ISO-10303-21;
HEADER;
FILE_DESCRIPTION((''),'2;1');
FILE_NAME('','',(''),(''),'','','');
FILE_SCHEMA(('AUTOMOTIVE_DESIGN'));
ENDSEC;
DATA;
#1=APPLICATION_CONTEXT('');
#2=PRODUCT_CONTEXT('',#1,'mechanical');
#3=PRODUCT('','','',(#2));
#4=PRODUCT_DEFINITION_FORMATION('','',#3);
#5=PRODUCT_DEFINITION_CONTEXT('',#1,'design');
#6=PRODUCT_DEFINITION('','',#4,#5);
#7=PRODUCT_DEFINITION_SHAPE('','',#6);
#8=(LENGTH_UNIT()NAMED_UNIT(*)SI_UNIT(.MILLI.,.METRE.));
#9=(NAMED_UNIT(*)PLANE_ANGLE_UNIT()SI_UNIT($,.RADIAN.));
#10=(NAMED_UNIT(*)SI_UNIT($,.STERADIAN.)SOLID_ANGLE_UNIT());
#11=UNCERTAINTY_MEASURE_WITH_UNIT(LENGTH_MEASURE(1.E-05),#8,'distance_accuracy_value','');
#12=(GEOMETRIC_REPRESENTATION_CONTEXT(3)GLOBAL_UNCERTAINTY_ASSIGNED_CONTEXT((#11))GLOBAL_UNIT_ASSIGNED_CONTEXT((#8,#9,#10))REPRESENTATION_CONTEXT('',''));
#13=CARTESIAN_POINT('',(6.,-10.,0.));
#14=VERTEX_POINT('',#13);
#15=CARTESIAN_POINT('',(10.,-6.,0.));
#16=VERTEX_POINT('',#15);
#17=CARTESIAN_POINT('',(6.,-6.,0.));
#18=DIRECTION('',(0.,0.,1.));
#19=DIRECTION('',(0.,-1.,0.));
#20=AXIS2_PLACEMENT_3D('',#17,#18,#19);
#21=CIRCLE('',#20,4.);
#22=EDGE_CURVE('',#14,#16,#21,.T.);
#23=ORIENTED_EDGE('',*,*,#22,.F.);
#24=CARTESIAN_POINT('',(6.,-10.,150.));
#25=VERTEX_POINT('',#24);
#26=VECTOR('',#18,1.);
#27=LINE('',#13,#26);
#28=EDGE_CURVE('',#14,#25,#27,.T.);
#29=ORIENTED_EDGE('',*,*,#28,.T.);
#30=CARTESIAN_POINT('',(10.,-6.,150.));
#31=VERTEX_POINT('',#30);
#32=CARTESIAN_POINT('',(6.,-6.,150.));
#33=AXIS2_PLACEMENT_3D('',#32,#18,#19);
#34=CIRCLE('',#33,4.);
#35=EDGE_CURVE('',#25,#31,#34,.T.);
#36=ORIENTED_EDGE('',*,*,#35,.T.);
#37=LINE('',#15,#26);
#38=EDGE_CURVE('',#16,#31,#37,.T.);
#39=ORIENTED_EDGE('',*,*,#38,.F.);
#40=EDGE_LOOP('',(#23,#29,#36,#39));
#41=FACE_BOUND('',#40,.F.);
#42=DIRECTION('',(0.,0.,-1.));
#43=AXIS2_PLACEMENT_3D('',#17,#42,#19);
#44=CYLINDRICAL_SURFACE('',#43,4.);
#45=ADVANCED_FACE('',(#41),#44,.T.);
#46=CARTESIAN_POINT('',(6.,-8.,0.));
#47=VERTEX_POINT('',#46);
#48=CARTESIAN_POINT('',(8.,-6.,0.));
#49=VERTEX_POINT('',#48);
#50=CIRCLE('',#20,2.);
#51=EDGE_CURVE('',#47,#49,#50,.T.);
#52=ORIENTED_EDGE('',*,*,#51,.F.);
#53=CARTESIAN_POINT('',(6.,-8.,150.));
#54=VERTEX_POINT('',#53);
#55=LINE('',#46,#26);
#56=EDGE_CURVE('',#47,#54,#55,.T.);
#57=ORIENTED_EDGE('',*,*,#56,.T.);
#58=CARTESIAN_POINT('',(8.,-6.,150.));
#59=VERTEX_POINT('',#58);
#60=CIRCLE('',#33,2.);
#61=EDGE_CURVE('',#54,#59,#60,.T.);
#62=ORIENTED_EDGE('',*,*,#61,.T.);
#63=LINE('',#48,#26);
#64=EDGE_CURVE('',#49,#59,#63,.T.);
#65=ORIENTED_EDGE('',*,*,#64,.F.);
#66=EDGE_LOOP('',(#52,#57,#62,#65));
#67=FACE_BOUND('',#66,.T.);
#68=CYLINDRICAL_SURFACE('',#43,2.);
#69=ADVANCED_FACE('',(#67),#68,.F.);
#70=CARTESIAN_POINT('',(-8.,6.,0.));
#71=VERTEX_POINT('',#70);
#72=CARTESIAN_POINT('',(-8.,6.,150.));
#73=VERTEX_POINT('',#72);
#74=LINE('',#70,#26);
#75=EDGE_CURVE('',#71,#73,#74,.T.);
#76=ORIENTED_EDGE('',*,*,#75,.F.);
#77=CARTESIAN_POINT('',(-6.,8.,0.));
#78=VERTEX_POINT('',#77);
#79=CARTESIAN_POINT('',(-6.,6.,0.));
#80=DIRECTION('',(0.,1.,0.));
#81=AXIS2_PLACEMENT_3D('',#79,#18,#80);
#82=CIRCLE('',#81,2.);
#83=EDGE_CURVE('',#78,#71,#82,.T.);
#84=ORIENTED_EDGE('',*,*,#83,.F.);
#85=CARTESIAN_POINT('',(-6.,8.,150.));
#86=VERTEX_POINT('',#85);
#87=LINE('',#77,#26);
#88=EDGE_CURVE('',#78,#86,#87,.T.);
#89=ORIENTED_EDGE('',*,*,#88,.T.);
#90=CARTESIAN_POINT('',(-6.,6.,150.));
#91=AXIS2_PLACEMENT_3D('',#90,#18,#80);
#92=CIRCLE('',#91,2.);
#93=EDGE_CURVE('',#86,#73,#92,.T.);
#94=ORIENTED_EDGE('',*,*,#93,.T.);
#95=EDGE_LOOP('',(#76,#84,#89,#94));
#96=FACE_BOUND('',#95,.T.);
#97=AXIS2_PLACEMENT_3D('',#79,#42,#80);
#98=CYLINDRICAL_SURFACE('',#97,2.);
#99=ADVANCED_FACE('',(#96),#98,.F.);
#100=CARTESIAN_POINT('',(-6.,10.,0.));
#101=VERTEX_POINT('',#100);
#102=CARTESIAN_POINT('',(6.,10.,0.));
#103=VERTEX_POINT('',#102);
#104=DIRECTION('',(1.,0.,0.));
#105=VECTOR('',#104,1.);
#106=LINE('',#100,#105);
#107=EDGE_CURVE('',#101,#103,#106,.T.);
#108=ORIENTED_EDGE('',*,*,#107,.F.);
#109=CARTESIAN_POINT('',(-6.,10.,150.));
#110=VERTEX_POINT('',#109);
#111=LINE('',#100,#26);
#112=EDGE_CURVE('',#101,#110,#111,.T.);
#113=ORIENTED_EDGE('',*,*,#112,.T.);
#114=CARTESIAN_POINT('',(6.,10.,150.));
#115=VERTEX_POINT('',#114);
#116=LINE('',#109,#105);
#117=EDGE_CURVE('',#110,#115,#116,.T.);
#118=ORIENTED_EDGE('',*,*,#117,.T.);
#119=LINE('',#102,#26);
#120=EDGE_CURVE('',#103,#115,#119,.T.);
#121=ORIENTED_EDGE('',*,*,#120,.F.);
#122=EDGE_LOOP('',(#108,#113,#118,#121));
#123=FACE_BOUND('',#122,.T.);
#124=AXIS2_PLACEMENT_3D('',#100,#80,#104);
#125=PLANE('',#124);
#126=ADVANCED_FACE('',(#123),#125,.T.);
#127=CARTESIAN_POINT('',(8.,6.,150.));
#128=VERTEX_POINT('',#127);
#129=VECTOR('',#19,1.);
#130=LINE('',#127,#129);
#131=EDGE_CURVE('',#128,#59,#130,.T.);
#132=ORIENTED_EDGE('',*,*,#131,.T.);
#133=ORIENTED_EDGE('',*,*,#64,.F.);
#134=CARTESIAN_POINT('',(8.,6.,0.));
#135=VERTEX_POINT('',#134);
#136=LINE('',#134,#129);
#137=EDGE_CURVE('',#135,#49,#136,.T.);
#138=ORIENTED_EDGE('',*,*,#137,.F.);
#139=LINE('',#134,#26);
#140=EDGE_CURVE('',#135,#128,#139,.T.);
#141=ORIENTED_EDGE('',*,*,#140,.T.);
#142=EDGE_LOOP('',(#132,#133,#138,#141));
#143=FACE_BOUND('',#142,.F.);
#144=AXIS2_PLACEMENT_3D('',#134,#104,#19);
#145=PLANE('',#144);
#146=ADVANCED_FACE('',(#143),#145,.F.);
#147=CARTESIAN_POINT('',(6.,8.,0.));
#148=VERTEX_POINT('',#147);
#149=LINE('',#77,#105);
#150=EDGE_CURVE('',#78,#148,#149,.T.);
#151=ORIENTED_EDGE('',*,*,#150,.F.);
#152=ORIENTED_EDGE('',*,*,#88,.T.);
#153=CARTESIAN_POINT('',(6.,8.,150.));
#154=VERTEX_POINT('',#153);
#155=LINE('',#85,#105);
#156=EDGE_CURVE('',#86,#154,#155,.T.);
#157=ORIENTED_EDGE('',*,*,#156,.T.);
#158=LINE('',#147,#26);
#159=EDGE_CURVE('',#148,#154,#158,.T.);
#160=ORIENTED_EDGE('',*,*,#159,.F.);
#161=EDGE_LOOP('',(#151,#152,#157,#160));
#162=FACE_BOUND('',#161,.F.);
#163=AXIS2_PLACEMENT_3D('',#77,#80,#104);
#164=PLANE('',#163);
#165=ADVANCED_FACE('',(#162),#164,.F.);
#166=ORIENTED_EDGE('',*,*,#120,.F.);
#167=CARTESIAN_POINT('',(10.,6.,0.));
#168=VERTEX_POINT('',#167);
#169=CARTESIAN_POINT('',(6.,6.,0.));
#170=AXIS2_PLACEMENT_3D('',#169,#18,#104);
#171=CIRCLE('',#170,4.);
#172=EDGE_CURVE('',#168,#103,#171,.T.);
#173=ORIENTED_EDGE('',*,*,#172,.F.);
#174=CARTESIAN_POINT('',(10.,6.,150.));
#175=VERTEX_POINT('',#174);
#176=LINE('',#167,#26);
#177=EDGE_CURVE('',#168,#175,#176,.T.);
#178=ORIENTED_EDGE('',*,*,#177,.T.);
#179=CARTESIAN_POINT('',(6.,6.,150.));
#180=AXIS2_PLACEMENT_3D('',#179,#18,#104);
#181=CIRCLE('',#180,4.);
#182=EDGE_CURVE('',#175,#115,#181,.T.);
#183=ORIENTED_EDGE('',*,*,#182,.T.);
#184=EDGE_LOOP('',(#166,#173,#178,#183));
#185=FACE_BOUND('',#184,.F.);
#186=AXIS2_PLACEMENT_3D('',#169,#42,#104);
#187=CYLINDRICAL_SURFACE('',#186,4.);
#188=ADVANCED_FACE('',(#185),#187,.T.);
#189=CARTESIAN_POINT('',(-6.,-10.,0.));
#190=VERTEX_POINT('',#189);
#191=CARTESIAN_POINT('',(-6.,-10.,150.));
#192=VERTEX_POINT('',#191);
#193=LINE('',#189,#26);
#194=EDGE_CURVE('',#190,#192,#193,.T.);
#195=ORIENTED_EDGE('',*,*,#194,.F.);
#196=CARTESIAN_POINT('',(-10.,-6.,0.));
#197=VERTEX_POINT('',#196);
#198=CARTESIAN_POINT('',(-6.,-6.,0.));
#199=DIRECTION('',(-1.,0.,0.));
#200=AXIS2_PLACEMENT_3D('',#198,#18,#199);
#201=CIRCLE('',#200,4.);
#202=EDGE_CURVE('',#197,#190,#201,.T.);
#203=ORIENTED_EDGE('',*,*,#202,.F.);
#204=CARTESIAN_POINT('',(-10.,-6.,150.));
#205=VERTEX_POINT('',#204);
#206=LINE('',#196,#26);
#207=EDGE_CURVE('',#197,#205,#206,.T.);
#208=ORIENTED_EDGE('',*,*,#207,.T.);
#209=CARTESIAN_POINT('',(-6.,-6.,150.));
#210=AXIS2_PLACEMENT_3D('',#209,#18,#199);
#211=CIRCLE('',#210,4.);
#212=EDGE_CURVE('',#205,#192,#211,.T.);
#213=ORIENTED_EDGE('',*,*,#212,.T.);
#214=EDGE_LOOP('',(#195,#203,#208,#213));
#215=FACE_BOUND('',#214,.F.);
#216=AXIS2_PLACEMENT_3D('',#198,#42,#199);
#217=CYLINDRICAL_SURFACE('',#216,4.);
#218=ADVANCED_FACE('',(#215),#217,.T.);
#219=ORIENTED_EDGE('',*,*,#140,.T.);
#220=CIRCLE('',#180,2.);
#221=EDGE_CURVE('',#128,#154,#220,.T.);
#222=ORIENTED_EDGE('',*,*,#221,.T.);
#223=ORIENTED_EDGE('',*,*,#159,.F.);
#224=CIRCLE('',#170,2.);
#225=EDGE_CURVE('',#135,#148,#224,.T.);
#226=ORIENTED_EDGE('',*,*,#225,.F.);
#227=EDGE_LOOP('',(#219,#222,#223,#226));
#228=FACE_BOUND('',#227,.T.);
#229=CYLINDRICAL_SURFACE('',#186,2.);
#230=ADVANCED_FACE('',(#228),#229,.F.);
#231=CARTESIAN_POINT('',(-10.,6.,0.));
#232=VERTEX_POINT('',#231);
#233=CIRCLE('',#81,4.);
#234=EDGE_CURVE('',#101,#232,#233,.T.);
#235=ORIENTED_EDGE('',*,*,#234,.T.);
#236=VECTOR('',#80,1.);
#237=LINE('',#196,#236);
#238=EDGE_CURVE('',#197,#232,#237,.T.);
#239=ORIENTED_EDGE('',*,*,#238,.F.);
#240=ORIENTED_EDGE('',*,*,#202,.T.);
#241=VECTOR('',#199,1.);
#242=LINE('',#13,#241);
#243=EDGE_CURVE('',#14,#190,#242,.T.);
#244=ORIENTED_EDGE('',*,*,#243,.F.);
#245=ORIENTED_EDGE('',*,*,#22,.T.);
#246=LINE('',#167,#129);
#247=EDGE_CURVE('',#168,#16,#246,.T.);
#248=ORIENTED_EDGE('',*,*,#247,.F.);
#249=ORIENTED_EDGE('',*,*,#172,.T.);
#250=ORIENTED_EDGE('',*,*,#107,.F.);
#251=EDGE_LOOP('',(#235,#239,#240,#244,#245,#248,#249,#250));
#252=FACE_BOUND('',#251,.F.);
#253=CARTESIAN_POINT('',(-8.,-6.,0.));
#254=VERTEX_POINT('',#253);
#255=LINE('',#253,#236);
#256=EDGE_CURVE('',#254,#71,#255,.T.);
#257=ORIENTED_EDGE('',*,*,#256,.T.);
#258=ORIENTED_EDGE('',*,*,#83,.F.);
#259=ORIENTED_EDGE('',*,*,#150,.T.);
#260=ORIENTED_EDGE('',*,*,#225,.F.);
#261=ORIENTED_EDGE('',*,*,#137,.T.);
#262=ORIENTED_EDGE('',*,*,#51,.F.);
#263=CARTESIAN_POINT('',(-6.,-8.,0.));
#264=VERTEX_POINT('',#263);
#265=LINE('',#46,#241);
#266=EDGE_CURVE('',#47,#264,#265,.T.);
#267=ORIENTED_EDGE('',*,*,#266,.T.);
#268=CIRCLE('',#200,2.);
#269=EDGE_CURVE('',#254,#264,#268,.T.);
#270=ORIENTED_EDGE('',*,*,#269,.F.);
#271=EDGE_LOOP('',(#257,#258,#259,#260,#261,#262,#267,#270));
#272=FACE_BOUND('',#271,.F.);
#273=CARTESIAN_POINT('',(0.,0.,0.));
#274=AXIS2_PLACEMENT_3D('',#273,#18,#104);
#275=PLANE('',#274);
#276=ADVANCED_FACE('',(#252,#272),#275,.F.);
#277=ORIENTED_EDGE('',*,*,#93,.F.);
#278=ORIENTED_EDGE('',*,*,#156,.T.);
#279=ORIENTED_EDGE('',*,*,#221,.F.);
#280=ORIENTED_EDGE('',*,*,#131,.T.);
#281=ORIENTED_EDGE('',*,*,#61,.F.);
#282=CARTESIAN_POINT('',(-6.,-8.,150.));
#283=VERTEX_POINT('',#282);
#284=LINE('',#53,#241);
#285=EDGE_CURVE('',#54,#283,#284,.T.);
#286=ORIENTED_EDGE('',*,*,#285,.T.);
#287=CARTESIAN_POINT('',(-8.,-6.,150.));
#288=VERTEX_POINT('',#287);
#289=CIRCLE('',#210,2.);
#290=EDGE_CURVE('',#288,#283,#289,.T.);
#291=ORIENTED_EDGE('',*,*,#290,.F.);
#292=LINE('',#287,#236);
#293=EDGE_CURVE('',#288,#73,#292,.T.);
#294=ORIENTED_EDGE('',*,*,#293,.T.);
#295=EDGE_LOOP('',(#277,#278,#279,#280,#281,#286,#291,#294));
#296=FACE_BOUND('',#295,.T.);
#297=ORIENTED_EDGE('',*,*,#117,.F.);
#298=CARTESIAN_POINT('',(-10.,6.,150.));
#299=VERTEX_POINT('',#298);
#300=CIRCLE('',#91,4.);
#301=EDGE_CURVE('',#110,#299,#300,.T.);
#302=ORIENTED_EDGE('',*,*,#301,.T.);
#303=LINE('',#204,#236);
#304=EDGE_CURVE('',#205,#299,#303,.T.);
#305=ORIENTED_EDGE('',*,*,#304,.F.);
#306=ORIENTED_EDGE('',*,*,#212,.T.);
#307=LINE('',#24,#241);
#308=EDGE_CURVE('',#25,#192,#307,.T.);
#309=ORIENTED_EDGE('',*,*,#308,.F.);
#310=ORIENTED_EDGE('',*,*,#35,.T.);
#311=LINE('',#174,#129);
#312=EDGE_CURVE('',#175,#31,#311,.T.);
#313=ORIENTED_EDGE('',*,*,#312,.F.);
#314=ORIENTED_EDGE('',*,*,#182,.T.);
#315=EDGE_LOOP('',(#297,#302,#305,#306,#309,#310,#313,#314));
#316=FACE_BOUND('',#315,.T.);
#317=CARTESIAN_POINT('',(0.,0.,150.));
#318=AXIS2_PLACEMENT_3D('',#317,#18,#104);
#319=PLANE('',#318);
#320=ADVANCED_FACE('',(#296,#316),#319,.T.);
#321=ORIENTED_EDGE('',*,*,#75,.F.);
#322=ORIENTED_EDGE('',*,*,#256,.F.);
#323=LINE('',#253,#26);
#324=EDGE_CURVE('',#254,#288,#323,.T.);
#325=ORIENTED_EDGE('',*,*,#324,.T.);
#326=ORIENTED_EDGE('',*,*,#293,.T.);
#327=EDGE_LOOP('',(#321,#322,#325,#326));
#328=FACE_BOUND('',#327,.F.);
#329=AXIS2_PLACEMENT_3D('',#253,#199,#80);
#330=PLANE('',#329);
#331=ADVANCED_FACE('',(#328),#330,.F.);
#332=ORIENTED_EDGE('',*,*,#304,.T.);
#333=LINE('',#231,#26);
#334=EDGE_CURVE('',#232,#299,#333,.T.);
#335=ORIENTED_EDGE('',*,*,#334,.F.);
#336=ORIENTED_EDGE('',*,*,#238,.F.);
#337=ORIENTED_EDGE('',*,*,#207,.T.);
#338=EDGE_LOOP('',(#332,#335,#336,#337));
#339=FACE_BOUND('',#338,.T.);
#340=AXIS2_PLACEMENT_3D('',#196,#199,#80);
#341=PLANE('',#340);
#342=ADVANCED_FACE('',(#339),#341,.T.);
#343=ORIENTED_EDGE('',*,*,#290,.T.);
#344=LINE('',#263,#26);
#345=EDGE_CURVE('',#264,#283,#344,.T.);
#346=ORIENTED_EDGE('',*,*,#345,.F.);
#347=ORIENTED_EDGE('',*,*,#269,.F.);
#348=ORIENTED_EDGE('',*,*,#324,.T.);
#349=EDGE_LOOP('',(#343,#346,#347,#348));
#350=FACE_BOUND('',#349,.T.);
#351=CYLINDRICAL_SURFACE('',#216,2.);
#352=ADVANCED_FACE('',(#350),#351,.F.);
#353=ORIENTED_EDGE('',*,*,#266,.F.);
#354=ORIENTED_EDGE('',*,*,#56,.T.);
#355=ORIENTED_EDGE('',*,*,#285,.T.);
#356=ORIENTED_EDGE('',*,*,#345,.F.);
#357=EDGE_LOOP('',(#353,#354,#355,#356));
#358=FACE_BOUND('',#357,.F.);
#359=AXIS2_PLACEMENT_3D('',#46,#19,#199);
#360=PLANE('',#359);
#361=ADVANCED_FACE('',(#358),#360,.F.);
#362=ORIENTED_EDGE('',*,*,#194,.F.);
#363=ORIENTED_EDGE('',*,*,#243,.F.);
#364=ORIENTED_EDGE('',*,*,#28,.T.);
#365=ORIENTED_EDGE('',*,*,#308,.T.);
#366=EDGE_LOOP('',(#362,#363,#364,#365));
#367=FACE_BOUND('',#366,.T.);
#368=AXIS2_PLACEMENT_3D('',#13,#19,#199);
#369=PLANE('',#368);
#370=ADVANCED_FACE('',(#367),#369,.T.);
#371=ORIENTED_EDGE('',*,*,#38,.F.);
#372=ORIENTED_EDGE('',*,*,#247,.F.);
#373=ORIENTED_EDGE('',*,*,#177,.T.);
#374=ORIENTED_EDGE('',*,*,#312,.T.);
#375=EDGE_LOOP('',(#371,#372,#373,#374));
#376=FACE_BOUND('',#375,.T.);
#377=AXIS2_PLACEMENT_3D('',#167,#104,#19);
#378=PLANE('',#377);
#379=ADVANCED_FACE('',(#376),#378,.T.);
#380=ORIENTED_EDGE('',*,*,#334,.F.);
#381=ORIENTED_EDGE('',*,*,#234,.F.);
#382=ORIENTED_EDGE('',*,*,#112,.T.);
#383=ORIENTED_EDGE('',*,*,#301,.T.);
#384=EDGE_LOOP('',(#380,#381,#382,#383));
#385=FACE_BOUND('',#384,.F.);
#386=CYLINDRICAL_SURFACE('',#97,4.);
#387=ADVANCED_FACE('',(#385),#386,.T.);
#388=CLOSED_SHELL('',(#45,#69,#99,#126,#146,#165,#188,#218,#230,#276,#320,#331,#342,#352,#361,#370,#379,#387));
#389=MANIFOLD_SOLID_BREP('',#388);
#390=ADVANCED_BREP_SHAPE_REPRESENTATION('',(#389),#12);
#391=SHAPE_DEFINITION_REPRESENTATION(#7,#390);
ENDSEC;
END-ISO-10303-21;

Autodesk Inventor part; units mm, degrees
ref_plane "YZ Plane" through (0, 0, 0) normal (1, 0, 0) x (0, 1, 0)
ref_plane "Plan de départ" through (0, 0, 0) normal (0, 0, 1) x (1, 0, 0)
ref_plane "Plan de fin" through (0, 0, 150) normal (0, 0, 1) x (1, 0, 0)
sketch "Esquisse" plane through (0, 0, 0) normal (0, 0, 1) x (1, 0, 0)
  line L0 (-10, -6) -> (-10, 6)
  line L1 (-6, 10) -> (6, 10)
  line L2 (10, 6) -> (10, -6)
  line L3 (6, -10) -> (-6, -10)
  arc A0 (-10, -6) -> (-6, -10) centre (-6, -6) ccw
  arc A1 (10, 6) -> (6, 10) centre (6, 6) ccw
  arc A2 (-6, 10) -> (-10, 6) centre (-6, 6) ccw
  arc A3 (6, -10) -> (10, -6) centre (6, -6) ccw
  arc A4 (-6, 8) -> (-8, 6) centre (-6, 6) ccw
  line L4 (-6, 8) -> (6, 8)
  arc A5 (8, 6) -> (6, 8) centre (6, 6) ccw
  line L5 (8, 6) -> (8, -6)
  arc A6 (6, -8) -> (8, -6) centre (6, -6) ccw
  line L6 (6, -8) -> (-6, -8)
  arc A7 (-8, -6) -> (-6, -8) centre (-6, -6) ccw
  line L7 (-8, -6) -> (-8, 6)
  line L8 (0, 15.1598) -> (0, -15.1598) construction
  line L9 (-15.1598, 0) -> (15.1598, 0) construction
  dimension "d7" = 4
  dimension "d9" = 20
  dimension "d11" = 20
  dimension "d12" = 2
  dimension "d15" = 10
  dimension "d16" = 10
extrude "Corps" add sketch "Esquisse" along normal up to surface (150 mm away) from surface at 0
sketch "Sketch3" plane through (0, 0, 0) normal (0, 0, 1) x (1, 0, 0)
  line L0 (0, 0) -> (10, 0)
ref_plane "Work Plane3" through (0, 0, 0) normal (0, -1, 0) x (1, 0, 0)
sketch "Sketch4" plane through (0, 0, 0) normal (0, -1, 0) x (1, 0, 0)
  line L0 (-2, 0) -> (12, 0) projected
  line L1 (-2, 150) -> (12, 150) projected
  dimension "d18" = 150
equation "\"d7\" = G_IR"
equation "\"d9\" = G_W"
equation "\"d11\" = G_H"
equation "\"d12\" = G_T"
equation "\"d15\" = 0.5 * d9"
equation "\"d16\" = 0.5 * d11"
equation "\"d3\" = G_L"
equation "\"G_W\" = 20"
equation "\"G_H\" = 20"
equation "\"G_T\" = 2"
equation "\"G_IR\" = 4"
equation "\"G_L\" = d18"
equation "\"G_OFFSET_START\" = 0"
equation "\"G_OFFSET_END\" = 0"
properties part number "ISO 10799-2 - 20x20x2 - 150" material "Acier, doux"
